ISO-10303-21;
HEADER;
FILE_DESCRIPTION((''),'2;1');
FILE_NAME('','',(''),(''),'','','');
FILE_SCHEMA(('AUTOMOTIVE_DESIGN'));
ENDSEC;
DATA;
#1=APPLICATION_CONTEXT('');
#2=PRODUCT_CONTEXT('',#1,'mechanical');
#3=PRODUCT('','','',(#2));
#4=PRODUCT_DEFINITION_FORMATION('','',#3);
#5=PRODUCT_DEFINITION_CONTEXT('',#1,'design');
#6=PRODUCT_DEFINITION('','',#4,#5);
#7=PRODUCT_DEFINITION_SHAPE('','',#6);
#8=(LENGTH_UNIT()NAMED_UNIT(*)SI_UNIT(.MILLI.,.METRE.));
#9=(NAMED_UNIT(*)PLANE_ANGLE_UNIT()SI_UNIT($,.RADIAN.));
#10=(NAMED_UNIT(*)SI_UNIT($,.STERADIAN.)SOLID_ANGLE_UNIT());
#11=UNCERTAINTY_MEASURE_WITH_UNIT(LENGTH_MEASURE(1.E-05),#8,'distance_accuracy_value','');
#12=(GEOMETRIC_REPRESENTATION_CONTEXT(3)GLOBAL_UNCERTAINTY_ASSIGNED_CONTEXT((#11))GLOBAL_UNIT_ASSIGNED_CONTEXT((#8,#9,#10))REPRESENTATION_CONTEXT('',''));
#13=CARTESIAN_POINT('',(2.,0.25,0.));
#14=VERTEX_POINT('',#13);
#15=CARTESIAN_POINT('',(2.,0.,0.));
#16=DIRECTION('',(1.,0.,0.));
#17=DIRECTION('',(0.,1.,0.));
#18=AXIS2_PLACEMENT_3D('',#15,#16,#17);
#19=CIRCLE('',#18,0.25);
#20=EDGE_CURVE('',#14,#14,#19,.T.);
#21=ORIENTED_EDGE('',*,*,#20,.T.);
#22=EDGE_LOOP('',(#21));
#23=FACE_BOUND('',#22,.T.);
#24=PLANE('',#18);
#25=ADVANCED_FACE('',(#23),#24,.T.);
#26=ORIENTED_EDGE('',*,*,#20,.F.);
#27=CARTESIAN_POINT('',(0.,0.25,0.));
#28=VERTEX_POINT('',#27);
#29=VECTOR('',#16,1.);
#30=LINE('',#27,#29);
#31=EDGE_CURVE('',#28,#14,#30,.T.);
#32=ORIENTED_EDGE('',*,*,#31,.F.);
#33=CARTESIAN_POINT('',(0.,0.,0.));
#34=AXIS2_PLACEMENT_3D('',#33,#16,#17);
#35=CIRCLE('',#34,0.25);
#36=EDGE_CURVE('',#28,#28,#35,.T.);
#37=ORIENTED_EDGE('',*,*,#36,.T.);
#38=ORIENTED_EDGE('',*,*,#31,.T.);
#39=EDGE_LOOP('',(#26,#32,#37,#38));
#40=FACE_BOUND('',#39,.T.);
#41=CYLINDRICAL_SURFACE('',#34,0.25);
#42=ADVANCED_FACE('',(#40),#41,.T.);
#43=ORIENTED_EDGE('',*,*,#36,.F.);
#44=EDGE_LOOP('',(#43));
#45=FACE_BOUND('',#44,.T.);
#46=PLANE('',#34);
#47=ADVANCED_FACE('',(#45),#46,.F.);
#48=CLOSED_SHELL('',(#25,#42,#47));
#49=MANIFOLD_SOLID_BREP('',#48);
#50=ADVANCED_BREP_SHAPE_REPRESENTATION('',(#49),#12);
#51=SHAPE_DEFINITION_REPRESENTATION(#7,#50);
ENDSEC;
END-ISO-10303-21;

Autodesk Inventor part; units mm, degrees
ref_plane "Start Plane" through (0, 0, 0) normal (1, 0, 0) x (0, 1, 0)
ref_plane "XZ Plane" through (0, 0, 0) normal (0, 1, 0) x (-1, 0, 0)
ref_plane "XY Plane" through (0, 0, 0) normal (0, 0, 1) x (1, 0, 0)
sketch "Main Sketch" plane through (0, 0, 0) normal (0, 0, 1) x (1, 0, 0)
  line L0 (0, 0) -> (2, 0)
  line L1 (0, 0) -> (0, 0.25)
  line L2 (2, 0.25) -> (2, 0)
  line L3 (0, 0.25) -> (2, 0.25)
  dimension "d3" = 0.5
revolve "Revolution1" add sketch "Main Sketch" angle 360 about axis through (0, 0, 0) along (1, 0, 0)
equation "\"Length\" = 2"
properties part number "Shaft" material "Steel"
